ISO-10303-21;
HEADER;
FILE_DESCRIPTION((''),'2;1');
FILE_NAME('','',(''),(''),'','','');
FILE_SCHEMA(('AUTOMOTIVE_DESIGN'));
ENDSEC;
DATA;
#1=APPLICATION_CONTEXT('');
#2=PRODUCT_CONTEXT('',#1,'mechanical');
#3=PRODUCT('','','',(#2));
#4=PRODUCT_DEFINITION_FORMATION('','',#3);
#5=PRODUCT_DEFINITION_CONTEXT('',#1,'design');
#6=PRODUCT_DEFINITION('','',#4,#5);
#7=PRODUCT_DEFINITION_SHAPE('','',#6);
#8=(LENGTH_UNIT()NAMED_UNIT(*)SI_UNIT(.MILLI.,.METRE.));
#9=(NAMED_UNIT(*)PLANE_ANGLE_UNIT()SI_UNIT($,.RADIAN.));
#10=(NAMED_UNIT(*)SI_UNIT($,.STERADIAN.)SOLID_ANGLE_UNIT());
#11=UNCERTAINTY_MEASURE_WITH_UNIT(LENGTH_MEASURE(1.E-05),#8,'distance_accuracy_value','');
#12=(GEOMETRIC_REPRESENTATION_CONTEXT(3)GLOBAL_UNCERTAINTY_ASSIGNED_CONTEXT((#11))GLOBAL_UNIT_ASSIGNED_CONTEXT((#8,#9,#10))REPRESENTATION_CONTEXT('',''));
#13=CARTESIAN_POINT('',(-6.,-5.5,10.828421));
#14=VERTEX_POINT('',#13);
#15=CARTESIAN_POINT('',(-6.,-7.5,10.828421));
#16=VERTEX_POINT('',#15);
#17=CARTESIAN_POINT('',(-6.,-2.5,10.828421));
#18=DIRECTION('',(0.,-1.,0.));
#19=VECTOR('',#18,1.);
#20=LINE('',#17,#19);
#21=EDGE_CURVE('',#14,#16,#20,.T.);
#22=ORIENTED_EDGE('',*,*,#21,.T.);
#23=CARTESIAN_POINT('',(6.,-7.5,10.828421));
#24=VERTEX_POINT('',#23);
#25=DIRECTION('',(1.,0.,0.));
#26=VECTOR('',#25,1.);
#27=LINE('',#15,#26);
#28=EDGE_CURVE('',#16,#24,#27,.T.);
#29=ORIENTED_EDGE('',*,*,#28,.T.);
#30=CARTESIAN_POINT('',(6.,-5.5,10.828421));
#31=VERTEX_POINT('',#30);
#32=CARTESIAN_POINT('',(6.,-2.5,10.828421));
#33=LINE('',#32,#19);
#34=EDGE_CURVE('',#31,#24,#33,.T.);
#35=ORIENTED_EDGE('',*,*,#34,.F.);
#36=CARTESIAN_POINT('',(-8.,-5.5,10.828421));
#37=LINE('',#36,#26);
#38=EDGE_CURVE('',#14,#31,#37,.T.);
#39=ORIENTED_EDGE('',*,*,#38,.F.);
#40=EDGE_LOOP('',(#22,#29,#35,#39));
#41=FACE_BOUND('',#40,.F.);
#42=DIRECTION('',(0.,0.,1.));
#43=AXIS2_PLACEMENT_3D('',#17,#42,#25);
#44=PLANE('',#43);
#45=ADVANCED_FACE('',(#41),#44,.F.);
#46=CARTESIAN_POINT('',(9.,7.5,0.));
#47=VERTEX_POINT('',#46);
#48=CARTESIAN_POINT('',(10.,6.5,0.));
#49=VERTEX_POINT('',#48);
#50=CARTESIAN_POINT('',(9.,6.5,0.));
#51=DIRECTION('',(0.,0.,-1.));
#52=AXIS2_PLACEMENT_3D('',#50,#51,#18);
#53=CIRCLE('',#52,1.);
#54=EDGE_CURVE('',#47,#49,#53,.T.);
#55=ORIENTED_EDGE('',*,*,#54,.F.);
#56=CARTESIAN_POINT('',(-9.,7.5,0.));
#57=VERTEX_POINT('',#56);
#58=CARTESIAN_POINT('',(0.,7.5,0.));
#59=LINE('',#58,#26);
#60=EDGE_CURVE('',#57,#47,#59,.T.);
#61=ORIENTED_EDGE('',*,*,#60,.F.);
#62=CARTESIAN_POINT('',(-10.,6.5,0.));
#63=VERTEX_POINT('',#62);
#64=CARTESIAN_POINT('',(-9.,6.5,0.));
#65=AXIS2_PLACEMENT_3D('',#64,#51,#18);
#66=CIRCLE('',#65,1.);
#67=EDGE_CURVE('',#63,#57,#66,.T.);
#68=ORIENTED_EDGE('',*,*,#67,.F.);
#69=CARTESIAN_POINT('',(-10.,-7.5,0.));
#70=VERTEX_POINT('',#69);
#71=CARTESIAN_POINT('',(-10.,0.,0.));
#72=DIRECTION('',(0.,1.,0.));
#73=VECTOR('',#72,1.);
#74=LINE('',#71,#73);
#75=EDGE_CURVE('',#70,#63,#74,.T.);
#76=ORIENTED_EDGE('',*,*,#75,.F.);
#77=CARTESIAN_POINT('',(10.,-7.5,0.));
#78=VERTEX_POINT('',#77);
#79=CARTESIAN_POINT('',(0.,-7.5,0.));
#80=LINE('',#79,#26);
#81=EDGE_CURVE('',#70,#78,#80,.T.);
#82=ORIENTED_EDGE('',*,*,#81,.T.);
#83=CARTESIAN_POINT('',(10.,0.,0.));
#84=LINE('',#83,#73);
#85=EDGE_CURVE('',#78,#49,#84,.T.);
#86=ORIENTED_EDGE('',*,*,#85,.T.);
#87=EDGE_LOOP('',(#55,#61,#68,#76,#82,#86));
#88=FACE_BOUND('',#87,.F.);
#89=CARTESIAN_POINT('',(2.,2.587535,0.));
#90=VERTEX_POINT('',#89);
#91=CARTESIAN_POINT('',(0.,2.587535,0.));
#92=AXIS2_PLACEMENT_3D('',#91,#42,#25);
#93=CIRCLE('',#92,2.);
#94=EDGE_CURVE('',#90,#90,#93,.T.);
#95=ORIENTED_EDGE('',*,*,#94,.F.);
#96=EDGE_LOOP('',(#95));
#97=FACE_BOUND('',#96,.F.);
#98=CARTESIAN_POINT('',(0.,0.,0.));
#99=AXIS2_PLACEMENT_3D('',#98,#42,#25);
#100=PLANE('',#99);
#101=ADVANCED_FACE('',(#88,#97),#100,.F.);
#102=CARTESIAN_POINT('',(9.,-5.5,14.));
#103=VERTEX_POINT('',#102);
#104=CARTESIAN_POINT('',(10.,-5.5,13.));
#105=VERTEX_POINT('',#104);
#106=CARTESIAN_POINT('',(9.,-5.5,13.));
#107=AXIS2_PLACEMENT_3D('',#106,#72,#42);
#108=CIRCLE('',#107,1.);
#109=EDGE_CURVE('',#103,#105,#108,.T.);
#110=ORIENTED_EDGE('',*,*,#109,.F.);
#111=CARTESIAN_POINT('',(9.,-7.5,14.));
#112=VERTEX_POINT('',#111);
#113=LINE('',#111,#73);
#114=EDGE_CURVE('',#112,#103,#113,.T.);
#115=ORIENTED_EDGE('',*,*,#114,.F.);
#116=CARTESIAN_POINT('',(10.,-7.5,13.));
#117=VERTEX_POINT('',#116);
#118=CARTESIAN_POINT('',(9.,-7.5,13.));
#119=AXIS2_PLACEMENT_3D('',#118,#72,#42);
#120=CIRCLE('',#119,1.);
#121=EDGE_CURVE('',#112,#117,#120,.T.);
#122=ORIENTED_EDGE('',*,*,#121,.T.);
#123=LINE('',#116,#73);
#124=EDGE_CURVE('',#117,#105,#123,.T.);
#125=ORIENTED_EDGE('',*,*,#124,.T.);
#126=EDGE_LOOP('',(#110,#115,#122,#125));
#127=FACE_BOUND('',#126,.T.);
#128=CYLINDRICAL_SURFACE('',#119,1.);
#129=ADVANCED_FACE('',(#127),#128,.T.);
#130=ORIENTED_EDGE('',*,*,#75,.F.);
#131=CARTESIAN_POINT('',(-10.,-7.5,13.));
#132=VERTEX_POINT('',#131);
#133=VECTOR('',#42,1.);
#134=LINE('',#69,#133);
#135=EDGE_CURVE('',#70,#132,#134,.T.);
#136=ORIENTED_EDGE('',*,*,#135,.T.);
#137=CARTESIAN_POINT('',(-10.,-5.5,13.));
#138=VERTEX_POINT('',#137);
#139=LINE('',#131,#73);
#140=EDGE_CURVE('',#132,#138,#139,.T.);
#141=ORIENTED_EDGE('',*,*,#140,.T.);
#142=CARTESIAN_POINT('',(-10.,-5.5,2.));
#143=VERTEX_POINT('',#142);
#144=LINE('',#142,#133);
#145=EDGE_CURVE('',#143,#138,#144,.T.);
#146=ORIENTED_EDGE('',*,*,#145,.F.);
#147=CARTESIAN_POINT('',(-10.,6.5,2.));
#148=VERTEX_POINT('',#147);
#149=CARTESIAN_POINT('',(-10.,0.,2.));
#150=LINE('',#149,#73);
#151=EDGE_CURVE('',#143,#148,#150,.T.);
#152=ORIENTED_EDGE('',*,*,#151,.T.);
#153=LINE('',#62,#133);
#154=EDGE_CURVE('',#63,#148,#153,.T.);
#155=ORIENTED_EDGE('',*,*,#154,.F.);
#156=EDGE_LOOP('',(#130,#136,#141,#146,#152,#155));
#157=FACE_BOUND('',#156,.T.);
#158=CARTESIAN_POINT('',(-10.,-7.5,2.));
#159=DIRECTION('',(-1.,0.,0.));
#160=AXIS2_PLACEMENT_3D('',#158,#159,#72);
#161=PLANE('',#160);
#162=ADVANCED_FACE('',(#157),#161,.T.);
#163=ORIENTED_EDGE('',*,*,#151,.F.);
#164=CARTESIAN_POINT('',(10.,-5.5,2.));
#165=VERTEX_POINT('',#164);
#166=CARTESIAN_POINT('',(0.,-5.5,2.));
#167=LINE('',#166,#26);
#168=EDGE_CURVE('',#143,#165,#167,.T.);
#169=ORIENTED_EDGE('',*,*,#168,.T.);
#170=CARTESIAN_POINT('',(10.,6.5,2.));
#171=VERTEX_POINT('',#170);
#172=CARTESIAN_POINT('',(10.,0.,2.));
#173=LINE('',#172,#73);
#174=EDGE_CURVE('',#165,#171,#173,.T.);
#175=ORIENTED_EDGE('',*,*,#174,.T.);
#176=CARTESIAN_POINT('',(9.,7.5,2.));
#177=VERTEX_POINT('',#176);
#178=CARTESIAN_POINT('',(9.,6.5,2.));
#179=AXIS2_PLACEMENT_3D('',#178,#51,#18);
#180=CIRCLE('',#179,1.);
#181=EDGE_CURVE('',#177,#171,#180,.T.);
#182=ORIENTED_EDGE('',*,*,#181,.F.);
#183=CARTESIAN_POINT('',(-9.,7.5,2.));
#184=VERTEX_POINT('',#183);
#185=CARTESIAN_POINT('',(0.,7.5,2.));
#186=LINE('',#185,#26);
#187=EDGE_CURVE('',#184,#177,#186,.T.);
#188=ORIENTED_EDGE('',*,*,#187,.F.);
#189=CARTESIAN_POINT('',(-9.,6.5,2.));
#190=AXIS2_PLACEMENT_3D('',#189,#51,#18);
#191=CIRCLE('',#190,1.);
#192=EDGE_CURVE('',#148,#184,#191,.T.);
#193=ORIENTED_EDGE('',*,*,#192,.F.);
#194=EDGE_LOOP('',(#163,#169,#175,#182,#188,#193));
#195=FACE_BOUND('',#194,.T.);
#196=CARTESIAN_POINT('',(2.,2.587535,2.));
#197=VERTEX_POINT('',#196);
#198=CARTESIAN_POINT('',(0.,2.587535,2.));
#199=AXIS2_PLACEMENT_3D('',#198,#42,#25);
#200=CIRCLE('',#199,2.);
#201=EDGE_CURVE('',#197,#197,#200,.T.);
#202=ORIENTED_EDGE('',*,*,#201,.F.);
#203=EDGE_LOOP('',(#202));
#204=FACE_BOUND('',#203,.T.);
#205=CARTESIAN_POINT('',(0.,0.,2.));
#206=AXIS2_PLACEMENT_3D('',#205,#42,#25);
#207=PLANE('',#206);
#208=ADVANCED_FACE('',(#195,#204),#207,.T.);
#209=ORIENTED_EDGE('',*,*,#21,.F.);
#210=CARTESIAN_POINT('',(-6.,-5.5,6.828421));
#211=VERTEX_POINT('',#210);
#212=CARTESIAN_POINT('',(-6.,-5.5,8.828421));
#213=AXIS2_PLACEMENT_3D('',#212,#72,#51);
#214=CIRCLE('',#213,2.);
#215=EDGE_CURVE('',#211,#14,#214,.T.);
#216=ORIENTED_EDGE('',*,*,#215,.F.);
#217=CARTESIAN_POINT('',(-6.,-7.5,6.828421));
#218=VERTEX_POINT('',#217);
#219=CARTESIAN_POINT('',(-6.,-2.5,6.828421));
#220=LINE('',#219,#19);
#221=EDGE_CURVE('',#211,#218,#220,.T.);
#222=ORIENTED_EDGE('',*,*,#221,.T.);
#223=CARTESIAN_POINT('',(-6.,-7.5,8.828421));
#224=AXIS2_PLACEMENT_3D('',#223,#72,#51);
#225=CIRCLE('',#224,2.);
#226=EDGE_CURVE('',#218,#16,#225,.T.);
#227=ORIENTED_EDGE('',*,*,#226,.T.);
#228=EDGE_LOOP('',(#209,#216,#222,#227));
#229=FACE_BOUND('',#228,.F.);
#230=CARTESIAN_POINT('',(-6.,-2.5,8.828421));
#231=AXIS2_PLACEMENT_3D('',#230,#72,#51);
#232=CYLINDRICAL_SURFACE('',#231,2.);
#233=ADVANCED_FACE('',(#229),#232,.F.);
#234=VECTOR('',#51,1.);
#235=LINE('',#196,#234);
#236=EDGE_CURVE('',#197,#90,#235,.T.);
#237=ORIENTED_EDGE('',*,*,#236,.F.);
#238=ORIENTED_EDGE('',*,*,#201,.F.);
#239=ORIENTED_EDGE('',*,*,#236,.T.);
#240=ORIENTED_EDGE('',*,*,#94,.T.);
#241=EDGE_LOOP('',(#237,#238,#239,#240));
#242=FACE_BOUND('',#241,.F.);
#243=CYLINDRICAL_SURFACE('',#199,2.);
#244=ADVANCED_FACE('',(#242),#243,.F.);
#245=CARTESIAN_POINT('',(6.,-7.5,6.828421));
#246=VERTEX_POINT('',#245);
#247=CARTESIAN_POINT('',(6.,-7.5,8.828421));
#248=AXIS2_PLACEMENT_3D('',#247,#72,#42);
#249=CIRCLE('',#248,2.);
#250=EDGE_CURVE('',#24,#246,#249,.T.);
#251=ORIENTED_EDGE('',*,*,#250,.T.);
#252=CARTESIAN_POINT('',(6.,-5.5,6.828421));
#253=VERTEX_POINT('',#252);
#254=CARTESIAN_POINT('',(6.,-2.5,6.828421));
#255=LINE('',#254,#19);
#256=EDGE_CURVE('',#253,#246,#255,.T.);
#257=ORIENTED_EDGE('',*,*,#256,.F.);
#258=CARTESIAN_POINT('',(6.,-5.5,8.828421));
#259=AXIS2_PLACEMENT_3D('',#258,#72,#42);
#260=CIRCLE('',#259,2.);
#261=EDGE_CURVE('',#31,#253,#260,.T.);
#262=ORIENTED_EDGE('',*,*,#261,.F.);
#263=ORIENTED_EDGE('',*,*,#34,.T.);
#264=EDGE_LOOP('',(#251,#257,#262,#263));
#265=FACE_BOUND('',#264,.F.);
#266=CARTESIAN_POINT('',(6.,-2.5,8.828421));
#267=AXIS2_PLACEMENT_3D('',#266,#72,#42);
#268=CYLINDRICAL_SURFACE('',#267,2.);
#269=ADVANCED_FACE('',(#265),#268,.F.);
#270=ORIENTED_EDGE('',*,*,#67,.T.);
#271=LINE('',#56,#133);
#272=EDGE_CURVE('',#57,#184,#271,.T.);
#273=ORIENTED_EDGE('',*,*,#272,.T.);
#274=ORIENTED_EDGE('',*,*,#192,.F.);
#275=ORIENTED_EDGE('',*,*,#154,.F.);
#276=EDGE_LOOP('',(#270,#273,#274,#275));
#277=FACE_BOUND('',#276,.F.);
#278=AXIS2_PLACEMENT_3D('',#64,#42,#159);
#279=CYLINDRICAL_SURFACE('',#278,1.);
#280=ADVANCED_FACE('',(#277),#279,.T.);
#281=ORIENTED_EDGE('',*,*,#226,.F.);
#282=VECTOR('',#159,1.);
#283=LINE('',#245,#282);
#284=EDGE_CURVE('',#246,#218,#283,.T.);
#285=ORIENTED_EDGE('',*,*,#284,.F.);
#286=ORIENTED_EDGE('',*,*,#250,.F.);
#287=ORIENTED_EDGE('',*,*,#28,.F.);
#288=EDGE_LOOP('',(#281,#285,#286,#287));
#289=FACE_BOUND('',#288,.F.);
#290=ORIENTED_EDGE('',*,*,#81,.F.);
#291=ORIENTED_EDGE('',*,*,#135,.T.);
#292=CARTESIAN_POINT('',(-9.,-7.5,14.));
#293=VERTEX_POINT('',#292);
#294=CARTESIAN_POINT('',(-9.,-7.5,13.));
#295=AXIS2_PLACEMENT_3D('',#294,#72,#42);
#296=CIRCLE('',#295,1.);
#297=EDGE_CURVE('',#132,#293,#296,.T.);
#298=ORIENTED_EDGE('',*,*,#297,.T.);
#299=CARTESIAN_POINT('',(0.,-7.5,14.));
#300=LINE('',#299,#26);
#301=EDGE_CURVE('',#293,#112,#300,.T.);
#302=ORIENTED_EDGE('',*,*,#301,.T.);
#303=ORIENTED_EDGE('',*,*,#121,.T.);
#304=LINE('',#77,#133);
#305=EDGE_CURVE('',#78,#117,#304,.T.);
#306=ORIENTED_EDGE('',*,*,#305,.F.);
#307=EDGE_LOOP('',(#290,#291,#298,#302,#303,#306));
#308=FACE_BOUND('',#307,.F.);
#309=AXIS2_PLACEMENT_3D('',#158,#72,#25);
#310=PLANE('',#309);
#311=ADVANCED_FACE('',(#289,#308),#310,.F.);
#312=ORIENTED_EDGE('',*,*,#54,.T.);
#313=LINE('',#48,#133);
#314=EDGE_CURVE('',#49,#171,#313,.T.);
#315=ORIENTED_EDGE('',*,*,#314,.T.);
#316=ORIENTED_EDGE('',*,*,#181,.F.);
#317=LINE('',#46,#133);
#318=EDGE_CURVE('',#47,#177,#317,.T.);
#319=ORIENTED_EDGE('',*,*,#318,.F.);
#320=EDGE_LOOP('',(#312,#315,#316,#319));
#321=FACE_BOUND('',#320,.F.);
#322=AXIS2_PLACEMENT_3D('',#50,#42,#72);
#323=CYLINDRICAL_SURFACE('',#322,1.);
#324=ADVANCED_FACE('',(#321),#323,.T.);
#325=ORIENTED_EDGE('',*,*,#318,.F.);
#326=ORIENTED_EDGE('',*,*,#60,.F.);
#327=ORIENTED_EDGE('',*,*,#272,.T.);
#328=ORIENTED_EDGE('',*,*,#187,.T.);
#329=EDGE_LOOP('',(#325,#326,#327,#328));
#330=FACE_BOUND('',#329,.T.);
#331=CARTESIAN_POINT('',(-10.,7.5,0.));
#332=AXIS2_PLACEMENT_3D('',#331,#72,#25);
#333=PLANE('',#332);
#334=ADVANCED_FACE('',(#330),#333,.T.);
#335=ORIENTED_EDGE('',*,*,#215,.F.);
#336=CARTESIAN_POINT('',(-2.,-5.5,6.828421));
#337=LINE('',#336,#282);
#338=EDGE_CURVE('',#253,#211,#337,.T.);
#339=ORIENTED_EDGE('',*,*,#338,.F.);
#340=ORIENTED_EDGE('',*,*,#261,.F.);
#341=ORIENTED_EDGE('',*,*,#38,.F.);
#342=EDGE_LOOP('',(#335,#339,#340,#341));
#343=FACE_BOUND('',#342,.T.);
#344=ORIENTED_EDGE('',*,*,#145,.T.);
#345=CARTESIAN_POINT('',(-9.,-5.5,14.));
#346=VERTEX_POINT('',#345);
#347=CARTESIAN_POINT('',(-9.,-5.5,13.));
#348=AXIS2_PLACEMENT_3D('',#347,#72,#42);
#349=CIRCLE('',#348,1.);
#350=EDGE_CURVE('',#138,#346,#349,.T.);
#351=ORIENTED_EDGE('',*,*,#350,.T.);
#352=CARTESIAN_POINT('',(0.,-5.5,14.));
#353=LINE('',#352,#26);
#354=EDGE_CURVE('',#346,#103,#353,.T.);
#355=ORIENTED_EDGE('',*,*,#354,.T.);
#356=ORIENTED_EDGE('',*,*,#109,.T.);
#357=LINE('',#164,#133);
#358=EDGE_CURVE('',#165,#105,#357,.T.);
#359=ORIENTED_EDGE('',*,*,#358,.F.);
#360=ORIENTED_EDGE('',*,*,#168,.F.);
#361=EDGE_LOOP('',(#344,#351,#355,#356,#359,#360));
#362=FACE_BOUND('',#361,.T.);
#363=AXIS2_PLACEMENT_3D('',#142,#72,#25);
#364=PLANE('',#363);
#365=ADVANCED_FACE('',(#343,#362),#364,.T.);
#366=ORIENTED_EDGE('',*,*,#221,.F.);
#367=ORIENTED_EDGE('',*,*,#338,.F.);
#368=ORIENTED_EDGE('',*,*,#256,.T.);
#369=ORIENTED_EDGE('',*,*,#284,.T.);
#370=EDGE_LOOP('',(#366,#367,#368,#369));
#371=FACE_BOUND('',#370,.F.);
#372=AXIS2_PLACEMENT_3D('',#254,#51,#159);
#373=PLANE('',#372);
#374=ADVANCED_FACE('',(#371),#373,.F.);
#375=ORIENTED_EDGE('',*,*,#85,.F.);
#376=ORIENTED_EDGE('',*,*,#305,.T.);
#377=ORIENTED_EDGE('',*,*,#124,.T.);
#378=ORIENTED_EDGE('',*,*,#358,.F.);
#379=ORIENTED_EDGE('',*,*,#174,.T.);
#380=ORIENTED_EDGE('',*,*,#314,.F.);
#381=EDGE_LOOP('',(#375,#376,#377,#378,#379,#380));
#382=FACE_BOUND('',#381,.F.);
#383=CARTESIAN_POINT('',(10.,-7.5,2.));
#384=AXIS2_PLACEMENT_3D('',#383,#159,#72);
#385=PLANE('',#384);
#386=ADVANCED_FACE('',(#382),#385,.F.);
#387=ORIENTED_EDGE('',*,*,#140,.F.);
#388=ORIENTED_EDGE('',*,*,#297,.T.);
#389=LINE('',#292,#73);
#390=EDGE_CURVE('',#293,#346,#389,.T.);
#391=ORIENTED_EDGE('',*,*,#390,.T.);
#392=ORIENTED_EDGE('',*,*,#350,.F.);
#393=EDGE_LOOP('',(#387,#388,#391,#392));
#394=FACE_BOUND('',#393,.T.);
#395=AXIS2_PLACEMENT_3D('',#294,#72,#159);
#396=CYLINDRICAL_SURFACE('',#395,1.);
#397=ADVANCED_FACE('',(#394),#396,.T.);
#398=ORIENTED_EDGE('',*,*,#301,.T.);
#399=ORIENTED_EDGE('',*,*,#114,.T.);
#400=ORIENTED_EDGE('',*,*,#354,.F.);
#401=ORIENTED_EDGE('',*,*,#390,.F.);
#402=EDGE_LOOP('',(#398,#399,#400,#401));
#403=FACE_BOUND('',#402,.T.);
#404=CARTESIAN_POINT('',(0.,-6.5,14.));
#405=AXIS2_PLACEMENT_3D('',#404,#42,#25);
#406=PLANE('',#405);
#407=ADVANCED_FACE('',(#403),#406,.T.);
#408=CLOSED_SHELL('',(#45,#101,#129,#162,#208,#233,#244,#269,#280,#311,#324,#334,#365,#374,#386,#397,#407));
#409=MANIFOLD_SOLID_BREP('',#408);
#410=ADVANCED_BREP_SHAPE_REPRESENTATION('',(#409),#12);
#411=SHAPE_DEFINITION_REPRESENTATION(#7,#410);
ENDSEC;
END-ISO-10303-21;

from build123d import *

# Parameters (mm, degrees)
SKETCH_W        = 20
SKETCH_H        = 15
PAD_DEPTH       = 2
SKETCH001_W     = 20
SKETCH001_H     = 2
PAD001_DEPTH    = 12
POCKET002_DEPTH = 5
COPYSKETCH005_R = 2
POCKET_DEPTH    = 5
FILLET_R        = 1
FILLET001_R     = 1
FILLET002_R     = 1
FILLET003_R     = 1


with BuildPart() as part:
    # Sketch → Pad (new body)
    with BuildSketch(Plane.XY):
        Rectangle(SKETCH_W, SKETCH_H)
    extrude(amount=PAD_DEPTH)

    # Sketch001 (on Face6 of Pad) → Pad001 (join)
    with BuildSketch(Plane.XY.offset(2)):
        with Locations((0, -6.5)):
            Rectangle(SKETCH001_W, SKETCH001_H)
    extrude(amount=PAD001_DEPTH)

    # Sketch004 → Pocket002 (cut)
    with BuildSketch(Plane(origin=(0, -2.5, 0), x_dir=(-1, 0, 0), z_dir=(0, 1, 0))):
        with BuildLine():
            Line((-6, 6.828421), (6, 6.828421))
            ThreePointArc((6, 6.828421), (8, 8.828421), (6, 10.828421))
            Line((6, 10.828421), (-6, 10.828421))
            ThreePointArc((-6, 10.828421), (-8, 8.828421), (-6, 6.828421))
        make_face()
    extrude(amount=-POCKET002_DEPTH, mode=Mode.SUBTRACT)

    # CopySketch005 → Pocket (cut)
    with BuildSketch(Plane.XY.offset(2)):
        with Locations((0, 2.587535)):
            Circle(COPYSKETCH005_R)
    extrude(amount=-POCKET_DEPTH, mode=Mode.SUBTRACT)

    # Fillet
    fillet_edges = [part.edges().sort_by_distance(p)[0] for p in [
        (-10, 7.5, 1),
    ]]
    fillet(fillet_edges, radius=FILLET_R)

    # Fillet001
    fillet001_edges = [part.edges().sort_by_distance(p)[0] for p in [
        (10, 7.5, 1),
    ]]
    fillet(fillet001_edges, radius=FILLET001_R)

    # Fillet002
    fillet002_edges = [part.edges().sort_by_distance(p)[0] for p in [
        (-10, -6.5, 14),
    ]]
    fillet(fillet002_edges, radius=FILLET002_R)

    # Fillet003
    fillet003_edges = [part.edges().sort_by_distance(p)[0] for p in [
        (10, -6.5, 14),
    ]]
    fillet(fillet003_edges, radius=FILLET003_R)


solid = part.part
